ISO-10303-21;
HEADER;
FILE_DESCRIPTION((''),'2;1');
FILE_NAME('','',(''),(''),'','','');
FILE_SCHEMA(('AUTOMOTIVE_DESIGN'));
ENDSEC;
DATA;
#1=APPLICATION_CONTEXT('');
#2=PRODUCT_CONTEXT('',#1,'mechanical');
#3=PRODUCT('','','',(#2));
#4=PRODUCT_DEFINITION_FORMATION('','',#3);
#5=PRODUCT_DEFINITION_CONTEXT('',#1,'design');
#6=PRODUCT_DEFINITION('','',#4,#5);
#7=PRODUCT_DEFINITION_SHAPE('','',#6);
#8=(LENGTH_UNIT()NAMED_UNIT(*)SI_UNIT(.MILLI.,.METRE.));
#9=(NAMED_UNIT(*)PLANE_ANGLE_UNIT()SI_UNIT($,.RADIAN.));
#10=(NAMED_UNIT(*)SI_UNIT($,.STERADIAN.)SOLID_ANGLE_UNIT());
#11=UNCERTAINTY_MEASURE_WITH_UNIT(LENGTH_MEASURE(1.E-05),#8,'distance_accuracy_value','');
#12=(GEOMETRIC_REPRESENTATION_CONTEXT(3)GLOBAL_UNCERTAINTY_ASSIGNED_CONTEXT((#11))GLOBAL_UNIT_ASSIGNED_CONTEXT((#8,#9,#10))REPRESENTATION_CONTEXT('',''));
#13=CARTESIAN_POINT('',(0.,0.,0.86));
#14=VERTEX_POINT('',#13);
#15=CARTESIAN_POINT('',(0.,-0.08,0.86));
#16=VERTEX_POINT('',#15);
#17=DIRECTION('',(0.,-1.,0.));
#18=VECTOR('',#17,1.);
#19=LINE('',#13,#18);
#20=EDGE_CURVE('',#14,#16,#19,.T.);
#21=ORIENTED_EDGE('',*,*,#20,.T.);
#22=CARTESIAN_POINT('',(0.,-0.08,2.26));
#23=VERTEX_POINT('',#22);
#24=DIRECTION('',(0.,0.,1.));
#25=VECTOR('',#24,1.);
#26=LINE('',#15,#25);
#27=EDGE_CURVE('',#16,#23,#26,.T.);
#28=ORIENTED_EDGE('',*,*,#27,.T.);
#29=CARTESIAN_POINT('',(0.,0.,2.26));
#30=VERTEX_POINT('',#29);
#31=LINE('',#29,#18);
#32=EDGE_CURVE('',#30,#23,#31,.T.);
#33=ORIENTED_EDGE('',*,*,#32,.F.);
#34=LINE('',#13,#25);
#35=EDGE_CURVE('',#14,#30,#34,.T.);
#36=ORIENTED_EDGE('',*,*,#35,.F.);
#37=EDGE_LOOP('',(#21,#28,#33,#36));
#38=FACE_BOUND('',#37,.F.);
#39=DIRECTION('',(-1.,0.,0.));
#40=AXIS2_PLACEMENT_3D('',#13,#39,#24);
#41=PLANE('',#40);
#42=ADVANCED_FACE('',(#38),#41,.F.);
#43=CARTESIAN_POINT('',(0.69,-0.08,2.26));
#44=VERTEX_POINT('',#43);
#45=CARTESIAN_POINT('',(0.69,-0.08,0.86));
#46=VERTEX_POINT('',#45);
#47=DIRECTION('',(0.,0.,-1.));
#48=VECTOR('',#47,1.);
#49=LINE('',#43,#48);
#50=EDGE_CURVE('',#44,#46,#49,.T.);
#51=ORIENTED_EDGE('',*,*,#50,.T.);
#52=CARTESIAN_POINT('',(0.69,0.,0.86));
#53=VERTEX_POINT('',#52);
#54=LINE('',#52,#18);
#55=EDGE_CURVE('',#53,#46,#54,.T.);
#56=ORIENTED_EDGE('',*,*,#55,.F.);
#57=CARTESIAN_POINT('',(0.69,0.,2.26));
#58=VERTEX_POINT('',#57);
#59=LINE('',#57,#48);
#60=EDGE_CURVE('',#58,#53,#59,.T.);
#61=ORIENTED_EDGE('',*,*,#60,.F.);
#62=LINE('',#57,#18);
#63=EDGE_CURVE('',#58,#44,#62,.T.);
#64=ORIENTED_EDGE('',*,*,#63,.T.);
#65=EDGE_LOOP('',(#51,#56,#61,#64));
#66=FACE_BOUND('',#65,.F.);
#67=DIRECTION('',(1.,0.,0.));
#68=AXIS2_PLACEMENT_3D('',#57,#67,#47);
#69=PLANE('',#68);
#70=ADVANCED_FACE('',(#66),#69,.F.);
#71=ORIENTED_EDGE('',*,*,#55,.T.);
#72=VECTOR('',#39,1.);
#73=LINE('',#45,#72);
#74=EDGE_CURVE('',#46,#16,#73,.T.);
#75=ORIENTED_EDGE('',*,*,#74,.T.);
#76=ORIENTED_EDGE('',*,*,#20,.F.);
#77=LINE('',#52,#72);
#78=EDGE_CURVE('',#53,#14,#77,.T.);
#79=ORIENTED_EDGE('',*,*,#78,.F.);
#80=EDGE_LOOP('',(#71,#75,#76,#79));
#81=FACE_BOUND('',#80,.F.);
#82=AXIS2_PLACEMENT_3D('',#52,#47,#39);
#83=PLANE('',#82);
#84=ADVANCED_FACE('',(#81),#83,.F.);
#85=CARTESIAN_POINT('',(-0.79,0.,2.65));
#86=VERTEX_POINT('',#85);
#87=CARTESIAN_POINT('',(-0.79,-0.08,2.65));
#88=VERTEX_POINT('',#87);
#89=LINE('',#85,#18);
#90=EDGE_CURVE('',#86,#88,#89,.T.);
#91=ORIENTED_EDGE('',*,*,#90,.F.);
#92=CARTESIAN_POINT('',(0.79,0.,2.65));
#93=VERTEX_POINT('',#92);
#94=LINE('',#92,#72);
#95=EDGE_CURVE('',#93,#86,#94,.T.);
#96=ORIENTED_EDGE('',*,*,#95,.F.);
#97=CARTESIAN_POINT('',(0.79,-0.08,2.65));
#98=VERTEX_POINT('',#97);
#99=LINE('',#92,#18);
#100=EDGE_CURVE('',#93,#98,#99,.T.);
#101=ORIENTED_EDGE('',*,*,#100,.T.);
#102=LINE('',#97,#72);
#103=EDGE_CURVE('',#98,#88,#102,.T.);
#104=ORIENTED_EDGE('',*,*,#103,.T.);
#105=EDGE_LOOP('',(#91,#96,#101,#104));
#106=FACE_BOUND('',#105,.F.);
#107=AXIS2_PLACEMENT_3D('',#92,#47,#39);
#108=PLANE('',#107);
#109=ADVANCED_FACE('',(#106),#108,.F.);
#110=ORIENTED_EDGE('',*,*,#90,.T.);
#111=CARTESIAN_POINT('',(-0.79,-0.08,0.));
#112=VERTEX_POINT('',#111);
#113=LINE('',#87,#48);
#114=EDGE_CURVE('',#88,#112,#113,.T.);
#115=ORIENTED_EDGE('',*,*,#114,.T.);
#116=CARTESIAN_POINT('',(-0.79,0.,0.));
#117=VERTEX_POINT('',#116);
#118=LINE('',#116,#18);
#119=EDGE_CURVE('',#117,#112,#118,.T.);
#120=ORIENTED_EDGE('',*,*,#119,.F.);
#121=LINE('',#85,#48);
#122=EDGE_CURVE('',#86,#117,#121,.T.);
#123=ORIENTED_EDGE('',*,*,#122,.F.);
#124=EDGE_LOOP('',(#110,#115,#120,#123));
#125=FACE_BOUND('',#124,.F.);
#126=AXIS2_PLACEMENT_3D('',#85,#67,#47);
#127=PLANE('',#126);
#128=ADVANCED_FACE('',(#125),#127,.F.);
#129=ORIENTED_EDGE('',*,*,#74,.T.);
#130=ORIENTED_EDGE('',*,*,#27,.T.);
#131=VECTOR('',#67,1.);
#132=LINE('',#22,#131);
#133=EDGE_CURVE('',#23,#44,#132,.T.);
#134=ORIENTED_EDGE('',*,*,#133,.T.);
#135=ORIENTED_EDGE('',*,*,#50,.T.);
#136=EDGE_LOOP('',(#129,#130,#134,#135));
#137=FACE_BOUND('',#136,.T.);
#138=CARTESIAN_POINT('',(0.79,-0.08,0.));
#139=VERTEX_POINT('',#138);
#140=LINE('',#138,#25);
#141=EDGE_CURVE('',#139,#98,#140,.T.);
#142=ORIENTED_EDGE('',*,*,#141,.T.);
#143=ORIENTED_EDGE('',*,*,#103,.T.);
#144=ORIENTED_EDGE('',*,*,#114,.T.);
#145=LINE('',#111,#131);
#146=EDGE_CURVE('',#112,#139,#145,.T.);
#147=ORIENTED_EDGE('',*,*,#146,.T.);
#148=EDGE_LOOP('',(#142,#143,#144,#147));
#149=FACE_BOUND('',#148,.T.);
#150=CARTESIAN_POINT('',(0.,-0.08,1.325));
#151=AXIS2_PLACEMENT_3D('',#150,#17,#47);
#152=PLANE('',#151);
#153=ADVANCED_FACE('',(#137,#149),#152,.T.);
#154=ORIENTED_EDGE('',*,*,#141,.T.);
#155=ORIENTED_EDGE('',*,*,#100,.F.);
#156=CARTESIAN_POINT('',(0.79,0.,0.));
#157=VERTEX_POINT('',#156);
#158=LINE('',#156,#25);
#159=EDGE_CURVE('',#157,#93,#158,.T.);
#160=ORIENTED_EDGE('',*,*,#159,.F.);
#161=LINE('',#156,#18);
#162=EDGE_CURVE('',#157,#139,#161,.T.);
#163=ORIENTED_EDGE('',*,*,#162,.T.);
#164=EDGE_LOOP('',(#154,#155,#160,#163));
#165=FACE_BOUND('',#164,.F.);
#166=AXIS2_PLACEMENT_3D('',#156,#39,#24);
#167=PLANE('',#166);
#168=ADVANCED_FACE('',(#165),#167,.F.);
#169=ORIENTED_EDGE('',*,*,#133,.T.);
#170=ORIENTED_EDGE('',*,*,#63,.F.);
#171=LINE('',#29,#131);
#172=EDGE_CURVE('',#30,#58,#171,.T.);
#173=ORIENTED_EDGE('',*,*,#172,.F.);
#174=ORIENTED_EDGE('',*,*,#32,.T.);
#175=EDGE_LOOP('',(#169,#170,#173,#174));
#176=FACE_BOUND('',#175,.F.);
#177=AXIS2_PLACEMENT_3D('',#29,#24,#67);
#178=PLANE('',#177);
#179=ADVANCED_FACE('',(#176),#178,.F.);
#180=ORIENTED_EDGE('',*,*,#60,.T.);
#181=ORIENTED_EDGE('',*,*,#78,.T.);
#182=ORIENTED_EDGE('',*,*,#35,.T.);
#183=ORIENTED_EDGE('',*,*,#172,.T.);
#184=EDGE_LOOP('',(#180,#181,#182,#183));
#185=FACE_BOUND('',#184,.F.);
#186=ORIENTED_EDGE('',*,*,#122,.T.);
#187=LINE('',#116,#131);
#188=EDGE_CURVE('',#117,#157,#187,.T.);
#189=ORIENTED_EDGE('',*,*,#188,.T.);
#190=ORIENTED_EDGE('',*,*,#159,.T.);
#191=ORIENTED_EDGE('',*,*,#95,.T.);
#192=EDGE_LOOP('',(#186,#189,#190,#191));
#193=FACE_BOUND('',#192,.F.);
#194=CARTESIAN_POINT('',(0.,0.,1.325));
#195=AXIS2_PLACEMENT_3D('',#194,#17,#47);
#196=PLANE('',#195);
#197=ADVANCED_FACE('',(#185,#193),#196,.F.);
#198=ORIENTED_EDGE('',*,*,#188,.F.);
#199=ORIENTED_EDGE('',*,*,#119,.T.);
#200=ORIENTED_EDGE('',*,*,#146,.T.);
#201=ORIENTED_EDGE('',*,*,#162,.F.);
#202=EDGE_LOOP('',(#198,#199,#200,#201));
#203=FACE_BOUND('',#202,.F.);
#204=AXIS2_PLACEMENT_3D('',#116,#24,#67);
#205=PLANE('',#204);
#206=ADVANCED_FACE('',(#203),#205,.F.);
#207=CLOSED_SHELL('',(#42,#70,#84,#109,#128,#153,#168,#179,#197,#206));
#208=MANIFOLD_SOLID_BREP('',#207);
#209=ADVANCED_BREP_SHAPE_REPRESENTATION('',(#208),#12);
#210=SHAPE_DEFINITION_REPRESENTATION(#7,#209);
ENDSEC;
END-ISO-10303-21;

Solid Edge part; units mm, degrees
sketch "Sketch1" plane through (0, 0, 0) normal (0, -1, 0) x (1, 0, 0)
  line L0 (0, 2.26) -> (0.69, 2.26)
  line L1 (0.69, 2.26) -> (0.69, 0.86)
  line L2 (0.69, 0.86) -> (0, 0.86)
  line L3 (0, 0.86) -> (0, 2.26)
  line L4 (-0.79, 0) -> (0.79, 0)
  line L5 (0.79, 0) -> (0.79, 2.65)
  line L6 (0.79, 2.65) -> (-0.79, 2.65)
  line L7 (-0.79, 2.65) -> (-0.79, 0)
  dimension "D1" = 1.58
  dimension "D2" = 2.65
  dimension "D3" = 0.39
  dimension "D4" = 1.4
  dimension "D5" = 0.69
  dimension "D6" = 0.79
extrude "Protrusion1" add sketch "Sketch1" along normal blind 0.08
